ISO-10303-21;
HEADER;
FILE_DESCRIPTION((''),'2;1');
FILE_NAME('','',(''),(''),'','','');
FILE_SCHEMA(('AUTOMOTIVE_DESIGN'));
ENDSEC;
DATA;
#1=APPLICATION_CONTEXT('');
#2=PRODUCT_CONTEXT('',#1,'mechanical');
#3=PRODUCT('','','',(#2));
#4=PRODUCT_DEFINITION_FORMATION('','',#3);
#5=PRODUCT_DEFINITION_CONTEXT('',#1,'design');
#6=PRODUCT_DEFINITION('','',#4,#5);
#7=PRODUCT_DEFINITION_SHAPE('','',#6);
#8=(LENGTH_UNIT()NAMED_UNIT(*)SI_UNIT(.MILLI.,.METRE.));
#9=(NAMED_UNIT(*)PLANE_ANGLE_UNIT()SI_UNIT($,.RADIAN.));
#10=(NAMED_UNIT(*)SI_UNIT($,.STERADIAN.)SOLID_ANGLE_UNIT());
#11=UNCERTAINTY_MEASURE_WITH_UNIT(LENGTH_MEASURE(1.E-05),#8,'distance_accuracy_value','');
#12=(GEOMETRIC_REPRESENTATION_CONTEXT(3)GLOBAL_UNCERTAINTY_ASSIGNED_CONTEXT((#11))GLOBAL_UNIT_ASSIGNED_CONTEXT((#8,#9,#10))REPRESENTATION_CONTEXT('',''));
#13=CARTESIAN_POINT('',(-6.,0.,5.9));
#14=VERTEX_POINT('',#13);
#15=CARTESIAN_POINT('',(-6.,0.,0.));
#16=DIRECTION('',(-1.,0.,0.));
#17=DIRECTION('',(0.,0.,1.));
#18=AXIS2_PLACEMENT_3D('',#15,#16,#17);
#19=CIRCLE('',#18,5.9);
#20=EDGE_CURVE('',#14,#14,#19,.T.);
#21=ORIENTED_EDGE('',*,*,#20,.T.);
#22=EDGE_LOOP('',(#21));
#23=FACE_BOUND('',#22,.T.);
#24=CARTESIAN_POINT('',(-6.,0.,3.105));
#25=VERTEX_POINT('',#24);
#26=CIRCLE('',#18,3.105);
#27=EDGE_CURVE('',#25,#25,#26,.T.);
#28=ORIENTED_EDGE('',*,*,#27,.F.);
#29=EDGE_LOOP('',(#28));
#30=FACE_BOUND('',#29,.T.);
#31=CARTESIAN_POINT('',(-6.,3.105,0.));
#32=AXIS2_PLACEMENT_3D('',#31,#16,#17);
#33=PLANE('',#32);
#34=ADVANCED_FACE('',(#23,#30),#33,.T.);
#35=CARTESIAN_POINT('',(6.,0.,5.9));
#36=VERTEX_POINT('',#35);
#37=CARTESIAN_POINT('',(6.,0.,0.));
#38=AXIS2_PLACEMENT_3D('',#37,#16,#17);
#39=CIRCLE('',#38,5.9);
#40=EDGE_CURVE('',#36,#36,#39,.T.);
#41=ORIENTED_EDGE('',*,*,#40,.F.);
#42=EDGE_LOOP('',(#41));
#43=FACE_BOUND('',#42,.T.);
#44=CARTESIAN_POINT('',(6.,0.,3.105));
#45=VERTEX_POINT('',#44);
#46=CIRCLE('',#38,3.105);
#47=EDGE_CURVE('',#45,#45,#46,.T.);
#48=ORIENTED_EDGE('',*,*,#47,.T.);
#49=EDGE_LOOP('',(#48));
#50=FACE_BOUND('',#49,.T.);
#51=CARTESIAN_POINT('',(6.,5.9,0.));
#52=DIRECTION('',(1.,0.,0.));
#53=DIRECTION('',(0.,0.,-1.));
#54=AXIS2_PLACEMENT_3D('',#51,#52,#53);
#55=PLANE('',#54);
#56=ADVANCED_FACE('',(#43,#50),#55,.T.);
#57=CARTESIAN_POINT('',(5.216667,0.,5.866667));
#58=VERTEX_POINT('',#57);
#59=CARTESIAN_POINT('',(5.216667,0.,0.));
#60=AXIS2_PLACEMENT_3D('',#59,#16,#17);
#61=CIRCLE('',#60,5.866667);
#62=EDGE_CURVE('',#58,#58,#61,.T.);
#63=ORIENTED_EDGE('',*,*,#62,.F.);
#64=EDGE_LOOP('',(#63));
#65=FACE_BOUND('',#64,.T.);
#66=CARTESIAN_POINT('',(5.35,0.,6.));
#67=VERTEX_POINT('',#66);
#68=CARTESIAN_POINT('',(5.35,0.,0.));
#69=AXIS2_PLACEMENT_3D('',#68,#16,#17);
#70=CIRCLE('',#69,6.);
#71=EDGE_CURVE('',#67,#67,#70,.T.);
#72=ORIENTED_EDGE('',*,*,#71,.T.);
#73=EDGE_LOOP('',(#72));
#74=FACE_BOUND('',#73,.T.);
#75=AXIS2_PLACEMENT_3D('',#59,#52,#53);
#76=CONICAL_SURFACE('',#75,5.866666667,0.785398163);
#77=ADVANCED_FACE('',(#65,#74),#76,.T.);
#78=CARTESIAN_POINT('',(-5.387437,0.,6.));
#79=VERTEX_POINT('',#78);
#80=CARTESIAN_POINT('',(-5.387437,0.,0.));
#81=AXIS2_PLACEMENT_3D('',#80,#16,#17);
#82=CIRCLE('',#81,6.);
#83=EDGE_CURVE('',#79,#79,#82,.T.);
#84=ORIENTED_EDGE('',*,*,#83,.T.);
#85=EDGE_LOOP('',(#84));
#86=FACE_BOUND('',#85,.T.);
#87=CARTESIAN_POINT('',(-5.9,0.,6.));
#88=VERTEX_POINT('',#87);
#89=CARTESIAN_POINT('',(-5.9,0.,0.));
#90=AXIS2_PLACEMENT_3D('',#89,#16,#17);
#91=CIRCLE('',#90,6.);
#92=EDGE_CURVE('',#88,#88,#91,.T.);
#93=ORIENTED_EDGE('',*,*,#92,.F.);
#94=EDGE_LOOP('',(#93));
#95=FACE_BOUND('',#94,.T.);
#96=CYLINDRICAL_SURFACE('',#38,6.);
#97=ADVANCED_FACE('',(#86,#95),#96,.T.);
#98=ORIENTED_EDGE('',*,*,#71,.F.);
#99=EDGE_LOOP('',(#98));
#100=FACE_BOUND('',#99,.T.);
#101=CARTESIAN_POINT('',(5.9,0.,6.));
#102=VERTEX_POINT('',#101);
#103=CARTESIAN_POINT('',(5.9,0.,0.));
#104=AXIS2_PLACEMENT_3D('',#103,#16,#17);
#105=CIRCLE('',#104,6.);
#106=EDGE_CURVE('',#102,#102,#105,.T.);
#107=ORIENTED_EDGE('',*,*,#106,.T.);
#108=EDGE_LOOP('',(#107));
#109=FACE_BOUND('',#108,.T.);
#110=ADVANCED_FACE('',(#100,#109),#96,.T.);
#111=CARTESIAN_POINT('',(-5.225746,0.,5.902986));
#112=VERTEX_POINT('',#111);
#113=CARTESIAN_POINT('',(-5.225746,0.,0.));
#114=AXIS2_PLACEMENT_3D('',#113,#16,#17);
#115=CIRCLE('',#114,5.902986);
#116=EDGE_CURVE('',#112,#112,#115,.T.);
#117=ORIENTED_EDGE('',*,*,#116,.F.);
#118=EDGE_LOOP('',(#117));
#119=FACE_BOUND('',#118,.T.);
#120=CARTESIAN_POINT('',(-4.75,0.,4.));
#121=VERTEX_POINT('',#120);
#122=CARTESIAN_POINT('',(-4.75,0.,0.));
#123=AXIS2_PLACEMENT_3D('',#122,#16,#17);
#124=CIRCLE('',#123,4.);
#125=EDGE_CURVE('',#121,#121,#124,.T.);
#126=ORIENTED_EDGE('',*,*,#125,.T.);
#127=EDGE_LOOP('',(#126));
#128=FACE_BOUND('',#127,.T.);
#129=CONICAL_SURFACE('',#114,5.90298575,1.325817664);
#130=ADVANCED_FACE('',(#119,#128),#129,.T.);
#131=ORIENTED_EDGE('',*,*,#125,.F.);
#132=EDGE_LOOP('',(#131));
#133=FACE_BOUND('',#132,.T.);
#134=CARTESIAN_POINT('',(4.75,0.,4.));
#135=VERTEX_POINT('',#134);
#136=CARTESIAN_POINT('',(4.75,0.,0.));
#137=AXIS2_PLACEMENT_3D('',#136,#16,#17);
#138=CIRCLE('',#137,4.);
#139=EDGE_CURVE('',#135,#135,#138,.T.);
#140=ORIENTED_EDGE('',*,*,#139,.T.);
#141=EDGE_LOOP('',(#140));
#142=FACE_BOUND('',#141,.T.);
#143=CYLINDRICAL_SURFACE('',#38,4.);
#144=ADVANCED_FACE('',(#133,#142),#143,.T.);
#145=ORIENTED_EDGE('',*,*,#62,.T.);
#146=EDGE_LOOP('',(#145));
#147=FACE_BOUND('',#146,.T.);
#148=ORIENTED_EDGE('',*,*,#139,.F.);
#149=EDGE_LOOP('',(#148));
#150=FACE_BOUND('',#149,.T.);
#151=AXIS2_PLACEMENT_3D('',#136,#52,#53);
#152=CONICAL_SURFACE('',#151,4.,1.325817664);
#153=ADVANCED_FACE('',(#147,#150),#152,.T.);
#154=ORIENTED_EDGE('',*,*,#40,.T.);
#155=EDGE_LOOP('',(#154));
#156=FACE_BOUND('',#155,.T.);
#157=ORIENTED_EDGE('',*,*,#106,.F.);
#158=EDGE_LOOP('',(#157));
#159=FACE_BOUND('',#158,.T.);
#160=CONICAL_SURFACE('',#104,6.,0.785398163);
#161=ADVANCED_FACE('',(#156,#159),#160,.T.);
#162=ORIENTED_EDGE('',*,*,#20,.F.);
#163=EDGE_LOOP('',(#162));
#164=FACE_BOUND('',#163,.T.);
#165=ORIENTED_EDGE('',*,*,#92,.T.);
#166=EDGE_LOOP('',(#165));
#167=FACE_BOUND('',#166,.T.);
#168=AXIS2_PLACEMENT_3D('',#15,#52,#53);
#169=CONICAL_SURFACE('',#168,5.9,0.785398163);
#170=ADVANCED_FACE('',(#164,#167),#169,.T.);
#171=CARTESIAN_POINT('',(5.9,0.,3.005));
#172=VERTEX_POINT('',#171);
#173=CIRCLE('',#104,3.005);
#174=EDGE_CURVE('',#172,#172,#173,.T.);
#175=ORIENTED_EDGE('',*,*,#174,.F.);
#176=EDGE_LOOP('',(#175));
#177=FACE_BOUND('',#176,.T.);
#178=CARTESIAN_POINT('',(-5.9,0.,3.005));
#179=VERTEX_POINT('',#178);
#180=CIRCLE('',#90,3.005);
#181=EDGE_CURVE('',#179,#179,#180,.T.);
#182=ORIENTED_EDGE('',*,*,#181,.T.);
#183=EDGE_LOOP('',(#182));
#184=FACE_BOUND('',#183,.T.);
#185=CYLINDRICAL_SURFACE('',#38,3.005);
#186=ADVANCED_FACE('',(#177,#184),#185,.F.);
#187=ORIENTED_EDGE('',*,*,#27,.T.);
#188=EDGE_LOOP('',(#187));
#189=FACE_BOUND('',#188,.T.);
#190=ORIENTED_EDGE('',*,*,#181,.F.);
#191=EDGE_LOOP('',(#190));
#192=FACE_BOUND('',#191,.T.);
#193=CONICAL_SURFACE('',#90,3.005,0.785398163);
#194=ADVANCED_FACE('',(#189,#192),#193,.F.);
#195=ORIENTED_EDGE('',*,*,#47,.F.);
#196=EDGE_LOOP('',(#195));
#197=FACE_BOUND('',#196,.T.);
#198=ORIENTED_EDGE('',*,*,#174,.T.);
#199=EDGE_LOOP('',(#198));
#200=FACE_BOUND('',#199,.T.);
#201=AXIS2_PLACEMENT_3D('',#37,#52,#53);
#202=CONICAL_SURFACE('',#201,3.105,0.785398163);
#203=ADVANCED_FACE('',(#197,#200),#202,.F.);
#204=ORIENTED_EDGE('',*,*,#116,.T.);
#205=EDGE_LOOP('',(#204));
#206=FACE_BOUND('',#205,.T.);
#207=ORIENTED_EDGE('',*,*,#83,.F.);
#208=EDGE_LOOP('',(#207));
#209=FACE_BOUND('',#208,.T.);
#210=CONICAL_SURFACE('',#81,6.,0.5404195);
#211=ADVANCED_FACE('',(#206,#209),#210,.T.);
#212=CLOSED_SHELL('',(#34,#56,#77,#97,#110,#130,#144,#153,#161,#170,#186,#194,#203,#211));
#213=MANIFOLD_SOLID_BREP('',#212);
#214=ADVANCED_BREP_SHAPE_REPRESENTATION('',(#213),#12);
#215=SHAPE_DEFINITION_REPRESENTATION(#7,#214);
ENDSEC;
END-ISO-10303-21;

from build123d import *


with BuildPart() as part:
    # Sketch1 → Revolve1 (revolve)
    with BuildSketch(Plane(origin=(0, 0, 0), x_dir=(-1, 0, 0), z_dir=(0, 0, -1))):
        Polygon((5.387436854, 6), (5.225746437, 5.90298575), (4.75, 4), (-4.75, 4), (-5.216666667, 5.866666667), (-5.35, 6), (-5.9, 6), (-6, 5.9), (-6, 3.105), (-5.9, 3.005), (5.9, 3.005), (6, 3.105), (6, 5.9), (5.9, 6), align=None)
    revolve(axis=Axis((6, 0, 0), (-1, 0, 0)))


solid = part.part
